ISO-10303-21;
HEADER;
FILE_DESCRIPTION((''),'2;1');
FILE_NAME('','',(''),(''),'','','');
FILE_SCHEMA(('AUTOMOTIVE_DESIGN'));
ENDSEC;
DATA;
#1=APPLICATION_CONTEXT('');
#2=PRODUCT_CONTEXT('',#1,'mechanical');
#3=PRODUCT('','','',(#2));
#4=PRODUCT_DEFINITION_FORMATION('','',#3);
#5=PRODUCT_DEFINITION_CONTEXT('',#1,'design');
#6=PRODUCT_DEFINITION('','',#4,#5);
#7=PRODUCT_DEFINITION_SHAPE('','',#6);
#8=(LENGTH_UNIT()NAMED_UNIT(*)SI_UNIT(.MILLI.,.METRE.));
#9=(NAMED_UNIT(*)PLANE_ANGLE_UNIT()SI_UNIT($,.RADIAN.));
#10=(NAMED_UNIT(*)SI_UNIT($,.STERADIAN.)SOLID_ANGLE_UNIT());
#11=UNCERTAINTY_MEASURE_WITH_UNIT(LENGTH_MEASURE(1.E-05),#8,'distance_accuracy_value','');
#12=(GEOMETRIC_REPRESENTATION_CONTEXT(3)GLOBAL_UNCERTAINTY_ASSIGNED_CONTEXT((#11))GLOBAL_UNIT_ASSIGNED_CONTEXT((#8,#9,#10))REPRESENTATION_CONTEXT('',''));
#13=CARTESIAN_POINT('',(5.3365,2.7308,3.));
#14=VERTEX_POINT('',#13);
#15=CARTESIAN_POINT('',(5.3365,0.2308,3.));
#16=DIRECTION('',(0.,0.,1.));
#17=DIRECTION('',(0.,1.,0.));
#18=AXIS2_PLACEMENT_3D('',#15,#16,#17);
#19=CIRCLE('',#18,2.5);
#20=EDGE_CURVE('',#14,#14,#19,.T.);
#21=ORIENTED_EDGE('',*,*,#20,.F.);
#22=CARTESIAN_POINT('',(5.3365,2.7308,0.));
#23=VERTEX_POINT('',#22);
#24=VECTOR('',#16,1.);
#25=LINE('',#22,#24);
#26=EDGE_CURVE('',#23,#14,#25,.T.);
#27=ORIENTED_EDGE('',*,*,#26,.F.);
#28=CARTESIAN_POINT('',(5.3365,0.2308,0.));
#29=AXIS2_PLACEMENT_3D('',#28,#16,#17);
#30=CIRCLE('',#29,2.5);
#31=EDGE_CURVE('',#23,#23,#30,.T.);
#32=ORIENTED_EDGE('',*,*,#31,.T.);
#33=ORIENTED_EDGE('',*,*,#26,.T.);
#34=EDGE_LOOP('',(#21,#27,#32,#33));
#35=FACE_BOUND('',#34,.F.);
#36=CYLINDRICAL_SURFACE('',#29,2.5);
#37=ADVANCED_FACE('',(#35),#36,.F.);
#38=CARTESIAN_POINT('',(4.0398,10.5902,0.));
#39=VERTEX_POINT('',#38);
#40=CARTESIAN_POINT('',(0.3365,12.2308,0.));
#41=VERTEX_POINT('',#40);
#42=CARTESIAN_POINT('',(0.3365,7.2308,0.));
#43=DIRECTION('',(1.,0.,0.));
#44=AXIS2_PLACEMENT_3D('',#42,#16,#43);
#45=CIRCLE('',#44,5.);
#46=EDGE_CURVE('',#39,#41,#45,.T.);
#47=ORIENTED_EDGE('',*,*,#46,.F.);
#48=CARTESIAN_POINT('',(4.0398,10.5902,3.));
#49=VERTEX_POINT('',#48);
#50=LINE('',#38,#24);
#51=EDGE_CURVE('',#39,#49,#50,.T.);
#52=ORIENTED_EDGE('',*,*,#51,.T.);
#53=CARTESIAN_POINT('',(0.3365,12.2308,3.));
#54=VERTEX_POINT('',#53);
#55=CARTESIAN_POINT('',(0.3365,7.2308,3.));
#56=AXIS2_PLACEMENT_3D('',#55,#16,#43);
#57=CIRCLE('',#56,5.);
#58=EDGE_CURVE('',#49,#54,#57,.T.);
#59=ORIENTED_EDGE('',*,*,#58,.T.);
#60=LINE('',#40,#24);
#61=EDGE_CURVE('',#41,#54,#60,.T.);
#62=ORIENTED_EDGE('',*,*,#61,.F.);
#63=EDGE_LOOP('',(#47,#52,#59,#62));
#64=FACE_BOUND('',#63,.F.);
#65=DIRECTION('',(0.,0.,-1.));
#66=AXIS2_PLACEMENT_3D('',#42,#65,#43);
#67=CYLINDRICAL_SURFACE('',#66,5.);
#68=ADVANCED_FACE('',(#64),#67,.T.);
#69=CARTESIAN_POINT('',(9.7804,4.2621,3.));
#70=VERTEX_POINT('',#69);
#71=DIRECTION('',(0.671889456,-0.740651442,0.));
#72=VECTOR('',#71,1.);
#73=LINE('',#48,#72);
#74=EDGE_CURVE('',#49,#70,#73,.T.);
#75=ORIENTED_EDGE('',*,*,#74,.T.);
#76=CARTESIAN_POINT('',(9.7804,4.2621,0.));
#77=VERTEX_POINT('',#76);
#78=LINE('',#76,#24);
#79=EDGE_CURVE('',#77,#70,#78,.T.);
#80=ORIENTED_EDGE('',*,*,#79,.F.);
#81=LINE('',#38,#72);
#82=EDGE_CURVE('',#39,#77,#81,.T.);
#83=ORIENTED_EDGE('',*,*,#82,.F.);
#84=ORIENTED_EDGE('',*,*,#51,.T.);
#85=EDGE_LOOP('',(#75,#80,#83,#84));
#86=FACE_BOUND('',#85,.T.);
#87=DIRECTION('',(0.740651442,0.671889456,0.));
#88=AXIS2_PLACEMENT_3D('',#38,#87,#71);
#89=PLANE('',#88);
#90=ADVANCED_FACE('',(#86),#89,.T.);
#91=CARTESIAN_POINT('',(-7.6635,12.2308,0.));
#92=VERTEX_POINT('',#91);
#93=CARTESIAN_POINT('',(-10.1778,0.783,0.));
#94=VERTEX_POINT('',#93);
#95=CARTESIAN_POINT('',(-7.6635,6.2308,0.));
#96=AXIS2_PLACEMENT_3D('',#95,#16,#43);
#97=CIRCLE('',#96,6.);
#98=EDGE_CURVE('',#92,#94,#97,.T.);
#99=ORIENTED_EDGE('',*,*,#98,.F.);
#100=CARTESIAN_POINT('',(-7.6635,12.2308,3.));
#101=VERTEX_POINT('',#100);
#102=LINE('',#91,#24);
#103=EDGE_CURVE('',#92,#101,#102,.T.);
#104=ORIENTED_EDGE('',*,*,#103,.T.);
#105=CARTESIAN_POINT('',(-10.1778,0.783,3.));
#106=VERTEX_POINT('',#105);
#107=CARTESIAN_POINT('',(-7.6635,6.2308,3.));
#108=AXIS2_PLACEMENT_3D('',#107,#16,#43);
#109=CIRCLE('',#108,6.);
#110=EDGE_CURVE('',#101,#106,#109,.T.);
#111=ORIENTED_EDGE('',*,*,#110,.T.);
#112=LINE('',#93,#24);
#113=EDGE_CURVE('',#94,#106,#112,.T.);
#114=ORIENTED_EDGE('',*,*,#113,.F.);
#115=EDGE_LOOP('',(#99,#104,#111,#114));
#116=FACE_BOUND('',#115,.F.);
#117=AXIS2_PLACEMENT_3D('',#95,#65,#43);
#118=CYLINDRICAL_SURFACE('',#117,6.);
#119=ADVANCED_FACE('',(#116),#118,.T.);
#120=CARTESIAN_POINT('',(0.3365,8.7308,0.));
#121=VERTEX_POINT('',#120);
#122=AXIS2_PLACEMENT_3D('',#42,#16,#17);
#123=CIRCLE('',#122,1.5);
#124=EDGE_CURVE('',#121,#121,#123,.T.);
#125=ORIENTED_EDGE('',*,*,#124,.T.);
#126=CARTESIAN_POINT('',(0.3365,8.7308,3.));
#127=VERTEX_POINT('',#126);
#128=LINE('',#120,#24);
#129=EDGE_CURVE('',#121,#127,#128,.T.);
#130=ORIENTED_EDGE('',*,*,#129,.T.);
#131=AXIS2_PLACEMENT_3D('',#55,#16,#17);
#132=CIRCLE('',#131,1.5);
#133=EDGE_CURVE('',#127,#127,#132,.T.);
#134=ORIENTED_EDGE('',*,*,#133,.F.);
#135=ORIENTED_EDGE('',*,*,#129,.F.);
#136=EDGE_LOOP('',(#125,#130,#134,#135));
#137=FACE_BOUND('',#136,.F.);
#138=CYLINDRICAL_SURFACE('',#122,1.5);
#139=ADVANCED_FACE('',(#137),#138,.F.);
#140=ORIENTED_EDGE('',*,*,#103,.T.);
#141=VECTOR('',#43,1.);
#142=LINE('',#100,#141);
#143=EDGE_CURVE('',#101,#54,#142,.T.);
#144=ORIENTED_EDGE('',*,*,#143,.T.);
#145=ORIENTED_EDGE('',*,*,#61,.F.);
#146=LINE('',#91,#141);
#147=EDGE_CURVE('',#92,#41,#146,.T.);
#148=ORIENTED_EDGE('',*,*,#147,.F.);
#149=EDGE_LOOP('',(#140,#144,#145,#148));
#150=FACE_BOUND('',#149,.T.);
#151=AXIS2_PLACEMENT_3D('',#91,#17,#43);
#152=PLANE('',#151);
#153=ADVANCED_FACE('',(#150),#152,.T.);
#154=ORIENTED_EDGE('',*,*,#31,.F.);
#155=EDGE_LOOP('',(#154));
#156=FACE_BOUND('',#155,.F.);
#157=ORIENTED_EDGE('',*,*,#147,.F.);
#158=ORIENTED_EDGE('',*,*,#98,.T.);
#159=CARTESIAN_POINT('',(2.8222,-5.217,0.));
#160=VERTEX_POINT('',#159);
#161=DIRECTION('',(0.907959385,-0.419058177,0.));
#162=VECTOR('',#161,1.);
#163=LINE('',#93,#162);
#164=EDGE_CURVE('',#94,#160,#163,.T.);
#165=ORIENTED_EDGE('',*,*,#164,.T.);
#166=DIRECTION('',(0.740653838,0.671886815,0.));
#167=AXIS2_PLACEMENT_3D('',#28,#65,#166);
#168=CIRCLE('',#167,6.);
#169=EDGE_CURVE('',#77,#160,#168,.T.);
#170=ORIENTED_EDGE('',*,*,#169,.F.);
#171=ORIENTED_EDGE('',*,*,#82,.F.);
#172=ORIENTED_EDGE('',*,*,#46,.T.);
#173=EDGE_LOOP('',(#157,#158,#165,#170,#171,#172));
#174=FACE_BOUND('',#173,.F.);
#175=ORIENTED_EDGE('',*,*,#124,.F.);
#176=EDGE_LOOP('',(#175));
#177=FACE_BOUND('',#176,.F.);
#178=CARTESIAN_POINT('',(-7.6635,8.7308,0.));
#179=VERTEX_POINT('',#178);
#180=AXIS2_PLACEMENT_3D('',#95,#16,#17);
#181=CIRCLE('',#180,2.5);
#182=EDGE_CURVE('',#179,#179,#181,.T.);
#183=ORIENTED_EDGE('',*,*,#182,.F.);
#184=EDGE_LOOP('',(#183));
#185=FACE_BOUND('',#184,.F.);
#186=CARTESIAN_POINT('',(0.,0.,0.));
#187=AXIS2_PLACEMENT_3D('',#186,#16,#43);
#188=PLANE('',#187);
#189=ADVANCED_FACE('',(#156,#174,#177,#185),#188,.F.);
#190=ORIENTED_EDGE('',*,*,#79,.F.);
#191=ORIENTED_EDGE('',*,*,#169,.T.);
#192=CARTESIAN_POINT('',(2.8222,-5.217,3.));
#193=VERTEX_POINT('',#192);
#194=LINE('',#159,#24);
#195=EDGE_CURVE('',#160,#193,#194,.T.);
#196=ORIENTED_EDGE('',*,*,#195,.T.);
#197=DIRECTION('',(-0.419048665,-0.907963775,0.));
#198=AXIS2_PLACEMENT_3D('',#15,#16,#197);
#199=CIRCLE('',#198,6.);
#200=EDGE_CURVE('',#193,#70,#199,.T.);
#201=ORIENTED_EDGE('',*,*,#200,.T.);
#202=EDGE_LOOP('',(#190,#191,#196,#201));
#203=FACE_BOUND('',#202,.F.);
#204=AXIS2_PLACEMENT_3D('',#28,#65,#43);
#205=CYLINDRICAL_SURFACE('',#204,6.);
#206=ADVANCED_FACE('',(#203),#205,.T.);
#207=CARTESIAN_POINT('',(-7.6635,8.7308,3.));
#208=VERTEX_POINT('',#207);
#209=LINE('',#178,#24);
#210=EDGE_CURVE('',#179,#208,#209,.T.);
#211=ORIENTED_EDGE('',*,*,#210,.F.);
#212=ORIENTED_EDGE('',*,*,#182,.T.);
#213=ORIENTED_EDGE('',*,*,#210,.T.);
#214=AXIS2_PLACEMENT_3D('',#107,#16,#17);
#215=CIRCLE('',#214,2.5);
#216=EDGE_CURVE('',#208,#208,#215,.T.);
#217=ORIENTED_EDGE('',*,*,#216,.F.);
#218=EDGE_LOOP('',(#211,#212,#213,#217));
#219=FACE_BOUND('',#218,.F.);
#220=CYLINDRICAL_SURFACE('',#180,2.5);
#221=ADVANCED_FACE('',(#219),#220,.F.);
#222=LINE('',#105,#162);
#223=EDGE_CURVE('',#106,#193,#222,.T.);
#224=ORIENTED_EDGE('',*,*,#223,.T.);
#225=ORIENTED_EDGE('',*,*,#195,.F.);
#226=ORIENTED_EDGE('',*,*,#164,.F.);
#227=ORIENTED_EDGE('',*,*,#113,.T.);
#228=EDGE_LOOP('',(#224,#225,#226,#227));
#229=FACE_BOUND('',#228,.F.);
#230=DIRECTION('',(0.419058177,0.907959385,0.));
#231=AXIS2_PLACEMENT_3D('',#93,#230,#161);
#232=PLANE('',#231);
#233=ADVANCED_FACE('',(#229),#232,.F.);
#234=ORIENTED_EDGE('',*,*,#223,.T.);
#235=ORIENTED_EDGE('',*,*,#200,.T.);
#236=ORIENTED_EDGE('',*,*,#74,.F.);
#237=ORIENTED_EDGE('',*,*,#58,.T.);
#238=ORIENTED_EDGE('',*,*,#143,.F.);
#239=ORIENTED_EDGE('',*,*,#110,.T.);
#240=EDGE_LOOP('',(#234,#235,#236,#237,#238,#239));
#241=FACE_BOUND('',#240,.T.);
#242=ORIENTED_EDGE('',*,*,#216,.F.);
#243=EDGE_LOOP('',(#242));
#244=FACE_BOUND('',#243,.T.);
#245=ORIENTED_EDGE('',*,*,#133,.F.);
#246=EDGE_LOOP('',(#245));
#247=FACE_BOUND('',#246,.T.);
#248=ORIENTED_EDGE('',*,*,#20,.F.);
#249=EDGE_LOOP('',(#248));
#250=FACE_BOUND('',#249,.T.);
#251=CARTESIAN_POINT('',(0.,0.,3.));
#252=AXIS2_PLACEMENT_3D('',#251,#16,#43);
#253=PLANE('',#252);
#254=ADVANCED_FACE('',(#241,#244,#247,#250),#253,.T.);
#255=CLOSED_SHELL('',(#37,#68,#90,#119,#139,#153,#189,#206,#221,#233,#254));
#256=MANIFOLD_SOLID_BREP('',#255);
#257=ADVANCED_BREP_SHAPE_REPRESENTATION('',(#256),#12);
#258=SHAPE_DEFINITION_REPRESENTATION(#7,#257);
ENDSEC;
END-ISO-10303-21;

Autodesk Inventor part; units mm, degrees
ref_plane "YZ Plane" through (0, 0, 0) normal (1, 0, 0) x (0, 1, 0)
ref_plane "XZ Plane" through (0, 0, 0) normal (0, 1, 0) x (-1, 0, 0)
ref_plane "XY Plane" through (0, 0, 0) normal (0, 0, 1) x (1, 0, 0)
sketch "Szkic1" plane through (0, 0, 0) normal (0, 0, 1) x (1, 0, 0)
  circle A0 centre (0.3365, 7.2308) radius 5
  circle A1 centre (-7.6635, 6.2308) radius 6
  circle A2 centre (5.3365, 0.2308) radius 6
  line L0 (-7.6635, 12.2308) -> (0.3365, 12.2308)
  line L1 (4.0398, 10.5902) -> (9.7804, 4.2621)
  line L2 (-10.1778, 0.783) -> (2.8222, -5.217)
  point P0 (0, 0)
  dimension "d0" = 13
  dimension "d1" = 6
  dimension "d2" = 7
  dimension "d3" = 5
  dimension "d4" = 10
  dimension "d5" = 12
  dimension "d6" = 12
extrude "Wyciągnięcie proste1" add sketch "Szkic1" along normal blind 3
hole "Otwór1" at (5.3365, 0.2308, 0) at (-7.6635, 6.2308, 0) direction (0, 0, 1) diameter 5 end through all
hole "Otwór2" at (0.3365, 7.2308, 0) direction (0, 0, 1) diameter 3 end through all
properties part number "mocowanie_sprezyny"
